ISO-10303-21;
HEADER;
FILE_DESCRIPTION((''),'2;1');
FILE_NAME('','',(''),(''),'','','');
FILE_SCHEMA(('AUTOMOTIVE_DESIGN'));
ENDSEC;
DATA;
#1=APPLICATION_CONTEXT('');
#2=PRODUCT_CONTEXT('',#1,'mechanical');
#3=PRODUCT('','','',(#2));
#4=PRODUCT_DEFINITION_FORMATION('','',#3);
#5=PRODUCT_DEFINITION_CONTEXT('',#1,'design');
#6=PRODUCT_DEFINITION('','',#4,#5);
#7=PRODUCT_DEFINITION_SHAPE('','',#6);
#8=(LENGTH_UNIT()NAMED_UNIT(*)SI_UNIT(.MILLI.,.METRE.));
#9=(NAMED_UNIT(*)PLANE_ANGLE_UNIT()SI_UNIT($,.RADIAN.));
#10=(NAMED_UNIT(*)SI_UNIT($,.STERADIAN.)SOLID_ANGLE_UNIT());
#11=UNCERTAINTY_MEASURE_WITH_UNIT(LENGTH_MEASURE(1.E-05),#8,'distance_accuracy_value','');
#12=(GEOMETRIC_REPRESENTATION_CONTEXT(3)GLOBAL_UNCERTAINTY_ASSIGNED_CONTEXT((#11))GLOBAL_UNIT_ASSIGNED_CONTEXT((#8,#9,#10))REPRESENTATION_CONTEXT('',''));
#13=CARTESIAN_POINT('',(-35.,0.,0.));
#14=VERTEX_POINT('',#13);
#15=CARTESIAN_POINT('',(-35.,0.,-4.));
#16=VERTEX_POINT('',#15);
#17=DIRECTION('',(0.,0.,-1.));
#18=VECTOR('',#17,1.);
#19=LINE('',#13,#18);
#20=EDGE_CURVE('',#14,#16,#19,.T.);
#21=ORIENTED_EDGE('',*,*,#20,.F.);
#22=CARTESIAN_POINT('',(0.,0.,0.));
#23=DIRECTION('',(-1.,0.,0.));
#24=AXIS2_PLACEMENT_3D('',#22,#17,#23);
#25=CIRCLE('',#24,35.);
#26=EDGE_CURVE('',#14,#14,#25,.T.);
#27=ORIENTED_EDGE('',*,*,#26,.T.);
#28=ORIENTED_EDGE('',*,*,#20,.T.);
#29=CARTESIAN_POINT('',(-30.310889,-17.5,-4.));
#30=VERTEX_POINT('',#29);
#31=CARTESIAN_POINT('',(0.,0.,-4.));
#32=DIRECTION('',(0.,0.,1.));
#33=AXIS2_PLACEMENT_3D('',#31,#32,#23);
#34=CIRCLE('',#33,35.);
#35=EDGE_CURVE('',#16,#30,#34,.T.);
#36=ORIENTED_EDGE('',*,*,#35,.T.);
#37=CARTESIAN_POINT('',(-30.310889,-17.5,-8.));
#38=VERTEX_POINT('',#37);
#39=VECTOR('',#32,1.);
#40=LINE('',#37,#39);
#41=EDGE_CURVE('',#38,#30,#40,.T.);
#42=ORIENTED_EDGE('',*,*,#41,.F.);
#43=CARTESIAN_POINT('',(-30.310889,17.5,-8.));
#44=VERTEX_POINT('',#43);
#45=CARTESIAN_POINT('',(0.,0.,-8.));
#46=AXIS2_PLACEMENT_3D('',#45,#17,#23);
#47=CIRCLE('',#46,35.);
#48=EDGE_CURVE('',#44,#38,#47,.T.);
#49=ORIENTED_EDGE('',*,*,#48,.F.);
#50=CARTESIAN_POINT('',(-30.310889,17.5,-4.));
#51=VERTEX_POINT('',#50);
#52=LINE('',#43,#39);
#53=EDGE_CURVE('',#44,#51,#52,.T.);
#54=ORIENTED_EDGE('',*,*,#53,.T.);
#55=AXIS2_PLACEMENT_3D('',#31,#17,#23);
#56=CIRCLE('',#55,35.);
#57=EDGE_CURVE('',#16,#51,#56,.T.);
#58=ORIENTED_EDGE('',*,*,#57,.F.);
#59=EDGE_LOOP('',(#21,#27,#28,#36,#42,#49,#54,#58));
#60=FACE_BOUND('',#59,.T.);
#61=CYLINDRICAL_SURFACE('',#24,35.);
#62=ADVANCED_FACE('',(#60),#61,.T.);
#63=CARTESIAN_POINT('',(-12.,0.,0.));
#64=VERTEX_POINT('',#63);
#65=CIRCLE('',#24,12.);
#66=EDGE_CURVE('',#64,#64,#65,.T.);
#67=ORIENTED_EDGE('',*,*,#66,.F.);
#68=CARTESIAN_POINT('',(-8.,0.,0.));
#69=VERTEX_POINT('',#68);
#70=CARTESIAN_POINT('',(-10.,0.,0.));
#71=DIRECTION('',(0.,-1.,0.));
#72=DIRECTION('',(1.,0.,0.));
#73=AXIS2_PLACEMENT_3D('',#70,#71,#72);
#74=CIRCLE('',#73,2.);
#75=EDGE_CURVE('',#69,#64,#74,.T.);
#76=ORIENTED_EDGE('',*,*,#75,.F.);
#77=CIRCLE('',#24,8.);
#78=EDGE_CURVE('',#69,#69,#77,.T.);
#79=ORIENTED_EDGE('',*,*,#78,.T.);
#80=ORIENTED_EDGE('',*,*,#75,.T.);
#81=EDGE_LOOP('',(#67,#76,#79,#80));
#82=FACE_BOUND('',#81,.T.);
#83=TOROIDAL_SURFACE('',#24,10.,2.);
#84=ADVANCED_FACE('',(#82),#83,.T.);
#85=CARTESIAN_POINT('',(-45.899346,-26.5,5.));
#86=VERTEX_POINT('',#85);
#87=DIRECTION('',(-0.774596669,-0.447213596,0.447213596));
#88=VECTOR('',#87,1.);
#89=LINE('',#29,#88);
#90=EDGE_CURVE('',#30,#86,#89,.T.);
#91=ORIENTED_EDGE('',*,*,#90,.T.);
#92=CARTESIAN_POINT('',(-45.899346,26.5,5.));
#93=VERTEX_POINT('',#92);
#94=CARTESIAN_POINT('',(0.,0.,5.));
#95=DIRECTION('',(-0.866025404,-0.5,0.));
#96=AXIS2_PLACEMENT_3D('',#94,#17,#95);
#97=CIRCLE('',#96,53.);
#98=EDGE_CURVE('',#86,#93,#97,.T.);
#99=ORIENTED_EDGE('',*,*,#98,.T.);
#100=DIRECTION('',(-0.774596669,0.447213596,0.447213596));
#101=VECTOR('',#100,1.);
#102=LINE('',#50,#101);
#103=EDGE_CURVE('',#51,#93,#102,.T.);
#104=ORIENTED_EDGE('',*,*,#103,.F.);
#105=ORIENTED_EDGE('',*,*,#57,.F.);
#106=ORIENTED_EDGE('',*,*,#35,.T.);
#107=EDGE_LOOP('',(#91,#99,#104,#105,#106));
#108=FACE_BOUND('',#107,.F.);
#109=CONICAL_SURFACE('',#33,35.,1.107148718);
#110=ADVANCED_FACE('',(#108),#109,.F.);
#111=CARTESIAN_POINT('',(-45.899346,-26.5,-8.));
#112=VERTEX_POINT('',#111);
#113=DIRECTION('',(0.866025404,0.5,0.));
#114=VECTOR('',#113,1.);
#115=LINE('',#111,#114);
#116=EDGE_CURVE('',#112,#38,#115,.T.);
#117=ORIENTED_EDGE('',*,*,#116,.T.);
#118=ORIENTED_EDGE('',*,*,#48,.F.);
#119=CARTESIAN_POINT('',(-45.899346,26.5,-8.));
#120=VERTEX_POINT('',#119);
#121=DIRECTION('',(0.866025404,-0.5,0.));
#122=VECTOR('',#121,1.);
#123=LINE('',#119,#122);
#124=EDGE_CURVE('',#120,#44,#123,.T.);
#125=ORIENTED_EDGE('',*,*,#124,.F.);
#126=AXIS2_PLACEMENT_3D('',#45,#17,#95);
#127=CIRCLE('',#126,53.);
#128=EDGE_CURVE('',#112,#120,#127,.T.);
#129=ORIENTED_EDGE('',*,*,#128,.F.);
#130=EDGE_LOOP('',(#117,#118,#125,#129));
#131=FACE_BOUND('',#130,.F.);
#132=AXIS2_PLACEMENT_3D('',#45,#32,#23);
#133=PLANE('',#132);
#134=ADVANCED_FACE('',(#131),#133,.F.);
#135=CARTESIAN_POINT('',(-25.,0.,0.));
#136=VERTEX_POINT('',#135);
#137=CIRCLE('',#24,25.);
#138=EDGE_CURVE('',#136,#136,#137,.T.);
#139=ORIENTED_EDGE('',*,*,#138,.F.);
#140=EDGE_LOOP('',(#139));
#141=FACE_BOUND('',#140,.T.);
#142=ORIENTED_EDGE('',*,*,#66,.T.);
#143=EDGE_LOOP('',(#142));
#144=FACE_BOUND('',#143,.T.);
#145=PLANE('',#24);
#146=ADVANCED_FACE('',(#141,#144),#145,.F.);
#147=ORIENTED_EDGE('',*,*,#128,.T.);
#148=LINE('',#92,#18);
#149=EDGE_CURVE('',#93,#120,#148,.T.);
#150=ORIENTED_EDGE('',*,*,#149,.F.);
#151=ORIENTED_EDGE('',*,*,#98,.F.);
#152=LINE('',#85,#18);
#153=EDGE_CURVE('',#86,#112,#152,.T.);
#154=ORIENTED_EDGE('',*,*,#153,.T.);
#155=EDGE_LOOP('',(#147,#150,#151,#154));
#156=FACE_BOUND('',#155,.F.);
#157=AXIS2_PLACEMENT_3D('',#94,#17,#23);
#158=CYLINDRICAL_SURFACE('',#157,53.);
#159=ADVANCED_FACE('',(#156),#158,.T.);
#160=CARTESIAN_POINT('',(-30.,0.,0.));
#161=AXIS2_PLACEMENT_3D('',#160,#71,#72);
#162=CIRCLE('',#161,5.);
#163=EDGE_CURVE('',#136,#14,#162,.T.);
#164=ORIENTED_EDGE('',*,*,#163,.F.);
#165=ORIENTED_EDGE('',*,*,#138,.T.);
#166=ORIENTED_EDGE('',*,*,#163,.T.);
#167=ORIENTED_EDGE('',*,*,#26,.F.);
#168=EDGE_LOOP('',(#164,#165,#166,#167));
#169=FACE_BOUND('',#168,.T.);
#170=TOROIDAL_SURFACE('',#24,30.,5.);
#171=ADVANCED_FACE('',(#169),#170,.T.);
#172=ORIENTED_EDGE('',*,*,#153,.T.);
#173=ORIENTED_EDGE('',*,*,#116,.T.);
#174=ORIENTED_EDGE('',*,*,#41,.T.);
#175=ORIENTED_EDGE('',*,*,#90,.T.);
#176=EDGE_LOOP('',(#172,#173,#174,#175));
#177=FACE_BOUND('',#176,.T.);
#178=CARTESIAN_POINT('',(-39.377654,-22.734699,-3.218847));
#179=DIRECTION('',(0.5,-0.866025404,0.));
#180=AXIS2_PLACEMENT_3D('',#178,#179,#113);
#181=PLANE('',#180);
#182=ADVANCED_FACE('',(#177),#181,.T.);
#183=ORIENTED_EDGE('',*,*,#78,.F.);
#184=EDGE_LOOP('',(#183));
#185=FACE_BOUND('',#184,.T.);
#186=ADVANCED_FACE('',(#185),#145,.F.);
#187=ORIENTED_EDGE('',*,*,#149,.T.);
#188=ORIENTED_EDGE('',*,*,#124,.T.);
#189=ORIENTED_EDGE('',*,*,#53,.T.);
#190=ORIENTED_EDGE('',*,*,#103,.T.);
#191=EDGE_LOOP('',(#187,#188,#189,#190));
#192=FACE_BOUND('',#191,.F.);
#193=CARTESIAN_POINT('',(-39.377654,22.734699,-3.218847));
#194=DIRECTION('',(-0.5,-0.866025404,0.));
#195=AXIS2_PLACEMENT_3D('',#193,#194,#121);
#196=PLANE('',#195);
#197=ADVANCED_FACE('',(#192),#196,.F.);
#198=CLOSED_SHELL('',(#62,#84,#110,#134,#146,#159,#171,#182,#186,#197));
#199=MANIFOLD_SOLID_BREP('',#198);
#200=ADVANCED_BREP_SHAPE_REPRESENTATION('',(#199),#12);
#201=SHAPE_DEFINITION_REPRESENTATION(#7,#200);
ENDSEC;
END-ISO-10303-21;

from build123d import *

# Parameters (mm, degrees)
F2_ANGLE = 60


with BuildPart() as f1:
    # F0 (on Front) → F1 (revolve)
    with BuildSketch(Plane.XZ):
        with BuildLine():
            Line((0, -8), (0, 0))
            Line((0, 0), (-8, 0))
            Line((-8, 0), (-12, 0))
            Line((-12, 0), (-25, 0))
            ThreePointArc((-25, 0), (-30, 5), (-35, 0))
            Line((-35, 0), (-35, -4))
            Line((-35, -4), (-35, -8))
            Line((-35, -8), (0, -8))
        make_face()
        with BuildLine():
            Line((-12, 0), (-8, 0))
            ThreePointArc((-8, 0), (-10, 2), (-12, 0))
        make_face()
    revolve(axis=Axis((0, 0, -4), (0, 0, -1)))

    # F0 (on Front) → F2 (revolve, symmetric)
    with BuildSketch(Plane.XZ) as f2_sk:
        Polygon((-53, -8), (-35, -8), (-35, -4), (-53, 5), align=None)
    revolve(axis=Axis((0, 0, -4), (0, 0, -1)), revolution_arc=F2_ANGLE / 2)
    revolve(f2_sk.sketch, axis=Axis((0, 0, -4), (0, 0, 1)), revolution_arc=F2_ANGLE / 2)


solid = f1.part
